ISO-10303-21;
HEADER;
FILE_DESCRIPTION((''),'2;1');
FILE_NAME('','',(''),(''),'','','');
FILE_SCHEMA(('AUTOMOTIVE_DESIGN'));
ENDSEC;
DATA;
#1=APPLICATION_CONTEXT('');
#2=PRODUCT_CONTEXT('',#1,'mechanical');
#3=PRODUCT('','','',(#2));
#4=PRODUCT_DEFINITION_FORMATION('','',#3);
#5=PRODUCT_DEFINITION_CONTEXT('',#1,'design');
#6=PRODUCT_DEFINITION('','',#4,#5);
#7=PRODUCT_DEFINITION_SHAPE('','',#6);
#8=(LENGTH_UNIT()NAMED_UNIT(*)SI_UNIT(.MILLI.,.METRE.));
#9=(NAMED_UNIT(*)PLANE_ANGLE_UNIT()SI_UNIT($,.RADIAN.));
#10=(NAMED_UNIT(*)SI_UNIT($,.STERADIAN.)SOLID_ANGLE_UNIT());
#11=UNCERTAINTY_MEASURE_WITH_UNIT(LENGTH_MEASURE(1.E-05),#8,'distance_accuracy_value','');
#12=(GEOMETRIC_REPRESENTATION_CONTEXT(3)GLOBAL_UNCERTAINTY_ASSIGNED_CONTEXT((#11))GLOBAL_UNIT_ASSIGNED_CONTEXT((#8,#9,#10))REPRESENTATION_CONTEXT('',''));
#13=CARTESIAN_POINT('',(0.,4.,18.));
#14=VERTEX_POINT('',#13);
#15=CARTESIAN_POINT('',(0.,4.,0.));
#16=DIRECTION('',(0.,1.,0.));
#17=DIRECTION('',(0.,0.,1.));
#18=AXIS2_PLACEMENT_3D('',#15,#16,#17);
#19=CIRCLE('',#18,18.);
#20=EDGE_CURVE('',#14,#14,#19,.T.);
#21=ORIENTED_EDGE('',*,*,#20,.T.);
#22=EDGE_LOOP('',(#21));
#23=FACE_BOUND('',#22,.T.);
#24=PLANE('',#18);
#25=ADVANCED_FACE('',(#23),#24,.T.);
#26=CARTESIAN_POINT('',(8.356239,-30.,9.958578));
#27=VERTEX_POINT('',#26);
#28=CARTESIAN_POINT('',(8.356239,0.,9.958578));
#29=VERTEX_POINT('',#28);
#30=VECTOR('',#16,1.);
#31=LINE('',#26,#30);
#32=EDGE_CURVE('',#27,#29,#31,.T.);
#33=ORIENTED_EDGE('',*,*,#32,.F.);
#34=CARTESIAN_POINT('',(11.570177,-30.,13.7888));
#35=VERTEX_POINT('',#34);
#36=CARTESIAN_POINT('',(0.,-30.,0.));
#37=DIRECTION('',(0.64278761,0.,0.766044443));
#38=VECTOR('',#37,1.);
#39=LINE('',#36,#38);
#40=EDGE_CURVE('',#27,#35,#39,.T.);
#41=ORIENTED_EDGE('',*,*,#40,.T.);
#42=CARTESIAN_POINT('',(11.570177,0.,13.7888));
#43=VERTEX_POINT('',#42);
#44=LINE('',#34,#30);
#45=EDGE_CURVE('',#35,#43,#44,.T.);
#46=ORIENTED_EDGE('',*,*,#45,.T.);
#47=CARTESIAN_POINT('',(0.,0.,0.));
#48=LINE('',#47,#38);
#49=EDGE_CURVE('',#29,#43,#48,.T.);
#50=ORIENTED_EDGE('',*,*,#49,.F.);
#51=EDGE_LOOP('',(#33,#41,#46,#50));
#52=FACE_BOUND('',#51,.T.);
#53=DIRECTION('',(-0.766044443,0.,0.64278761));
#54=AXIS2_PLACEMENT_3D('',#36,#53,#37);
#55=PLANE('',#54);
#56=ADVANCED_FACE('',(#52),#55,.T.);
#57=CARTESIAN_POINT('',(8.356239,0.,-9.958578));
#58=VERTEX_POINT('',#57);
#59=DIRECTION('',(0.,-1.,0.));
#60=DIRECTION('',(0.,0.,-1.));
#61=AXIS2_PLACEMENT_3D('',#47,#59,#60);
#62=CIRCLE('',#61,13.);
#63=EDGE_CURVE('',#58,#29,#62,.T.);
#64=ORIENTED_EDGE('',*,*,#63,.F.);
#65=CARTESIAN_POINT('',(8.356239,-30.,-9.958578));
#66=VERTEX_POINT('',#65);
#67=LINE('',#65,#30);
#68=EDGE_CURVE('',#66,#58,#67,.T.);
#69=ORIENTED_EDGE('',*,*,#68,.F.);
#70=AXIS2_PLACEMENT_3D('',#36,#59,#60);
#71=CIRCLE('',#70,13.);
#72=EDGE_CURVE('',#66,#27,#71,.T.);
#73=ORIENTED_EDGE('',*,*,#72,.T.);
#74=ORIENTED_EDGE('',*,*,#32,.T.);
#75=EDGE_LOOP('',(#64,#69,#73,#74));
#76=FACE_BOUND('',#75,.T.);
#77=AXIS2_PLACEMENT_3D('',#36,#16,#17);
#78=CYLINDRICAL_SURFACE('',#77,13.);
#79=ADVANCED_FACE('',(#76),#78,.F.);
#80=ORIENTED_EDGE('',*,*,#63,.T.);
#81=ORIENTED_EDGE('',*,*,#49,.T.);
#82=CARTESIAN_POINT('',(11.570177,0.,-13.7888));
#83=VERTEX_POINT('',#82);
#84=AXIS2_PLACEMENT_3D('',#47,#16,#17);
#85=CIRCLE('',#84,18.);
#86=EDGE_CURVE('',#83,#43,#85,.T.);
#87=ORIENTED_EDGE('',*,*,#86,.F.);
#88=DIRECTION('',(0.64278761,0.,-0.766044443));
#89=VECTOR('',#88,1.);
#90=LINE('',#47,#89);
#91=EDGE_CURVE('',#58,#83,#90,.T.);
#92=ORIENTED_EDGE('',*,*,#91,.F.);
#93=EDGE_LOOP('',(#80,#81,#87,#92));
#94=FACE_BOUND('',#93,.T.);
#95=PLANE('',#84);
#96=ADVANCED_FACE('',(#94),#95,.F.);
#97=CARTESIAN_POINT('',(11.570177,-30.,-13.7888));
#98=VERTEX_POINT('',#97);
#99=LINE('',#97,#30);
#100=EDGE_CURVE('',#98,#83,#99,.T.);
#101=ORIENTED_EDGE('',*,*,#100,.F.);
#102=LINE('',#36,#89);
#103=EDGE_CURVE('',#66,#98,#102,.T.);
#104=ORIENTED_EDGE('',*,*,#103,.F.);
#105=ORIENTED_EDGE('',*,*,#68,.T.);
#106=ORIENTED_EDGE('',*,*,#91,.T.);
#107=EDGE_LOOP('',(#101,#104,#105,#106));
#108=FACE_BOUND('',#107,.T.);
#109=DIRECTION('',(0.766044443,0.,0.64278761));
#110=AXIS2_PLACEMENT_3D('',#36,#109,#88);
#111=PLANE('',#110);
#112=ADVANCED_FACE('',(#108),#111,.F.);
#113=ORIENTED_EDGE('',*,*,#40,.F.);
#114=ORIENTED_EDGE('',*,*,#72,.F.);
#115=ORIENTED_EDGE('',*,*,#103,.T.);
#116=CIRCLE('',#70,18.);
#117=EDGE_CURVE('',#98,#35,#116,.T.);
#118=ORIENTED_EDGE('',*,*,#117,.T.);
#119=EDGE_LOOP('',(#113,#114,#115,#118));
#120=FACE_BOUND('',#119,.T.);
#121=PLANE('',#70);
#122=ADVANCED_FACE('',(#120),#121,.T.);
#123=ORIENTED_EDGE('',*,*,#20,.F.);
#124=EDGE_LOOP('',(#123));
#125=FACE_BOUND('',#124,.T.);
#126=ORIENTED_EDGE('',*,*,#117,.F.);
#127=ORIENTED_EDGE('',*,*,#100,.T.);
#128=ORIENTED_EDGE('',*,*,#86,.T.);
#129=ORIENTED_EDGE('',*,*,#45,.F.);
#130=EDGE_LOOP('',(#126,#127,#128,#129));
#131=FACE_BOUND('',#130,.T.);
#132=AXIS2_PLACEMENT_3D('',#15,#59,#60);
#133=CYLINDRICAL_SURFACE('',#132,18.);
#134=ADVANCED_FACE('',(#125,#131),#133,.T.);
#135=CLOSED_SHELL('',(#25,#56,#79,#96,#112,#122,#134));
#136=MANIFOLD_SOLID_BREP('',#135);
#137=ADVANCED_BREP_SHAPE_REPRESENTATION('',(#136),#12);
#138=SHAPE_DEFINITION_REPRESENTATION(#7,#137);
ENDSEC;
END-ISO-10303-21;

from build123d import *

# Parameters (mm, degrees)
SKIZZE1_R                       = 18
AUFSATZ_LINEAR_AUSTRAGEN1_DEPTH = 4
AUFSATZ_LINEAR_AUSTRAGEN2_DEPTH = 30


with BuildPart() as part:
    # Skizze1 → Aufsatz-Linear austragen1 (new body)
    with BuildSketch(Plane(origin=(0, 0, 0), x_dir=(1, 0, 0), z_dir=(0, 1, 0))):
        Circle(SKIZZE1_R)
    extrude(amount=AUFSATZ_LINEAR_AUSTRAGEN1_DEPTH)

    # Skizze2 → Aufsatz-Linear austragen2 (add)
    with BuildSketch(Plane.XZ):
        with BuildLine():
            Line((11.570176974, 13.788799976), (8.356238926, 9.958577761))
            ThreePointArc((8.356238926, 9.958577761), (11.782001231, 5.494037403), (13, 0))
            ThreePointArc((13, 0), (11.782001231, -5.494037403), (8.356238926, -9.958577761))
            Line((8.356238926, -9.958577761), (11.570176974, -13.788799976))
            ThreePointArc((11.570176974, -13.788799976), (16.313540167, -7.607128711), (18, 0))
            ThreePointArc((18, 0), (16.313540167, 7.607128711), (11.570176974, 13.788799976))
        make_face()
    extrude(amount=AUFSATZ_LINEAR_AUSTRAGEN2_DEPTH)


solid = part.part
